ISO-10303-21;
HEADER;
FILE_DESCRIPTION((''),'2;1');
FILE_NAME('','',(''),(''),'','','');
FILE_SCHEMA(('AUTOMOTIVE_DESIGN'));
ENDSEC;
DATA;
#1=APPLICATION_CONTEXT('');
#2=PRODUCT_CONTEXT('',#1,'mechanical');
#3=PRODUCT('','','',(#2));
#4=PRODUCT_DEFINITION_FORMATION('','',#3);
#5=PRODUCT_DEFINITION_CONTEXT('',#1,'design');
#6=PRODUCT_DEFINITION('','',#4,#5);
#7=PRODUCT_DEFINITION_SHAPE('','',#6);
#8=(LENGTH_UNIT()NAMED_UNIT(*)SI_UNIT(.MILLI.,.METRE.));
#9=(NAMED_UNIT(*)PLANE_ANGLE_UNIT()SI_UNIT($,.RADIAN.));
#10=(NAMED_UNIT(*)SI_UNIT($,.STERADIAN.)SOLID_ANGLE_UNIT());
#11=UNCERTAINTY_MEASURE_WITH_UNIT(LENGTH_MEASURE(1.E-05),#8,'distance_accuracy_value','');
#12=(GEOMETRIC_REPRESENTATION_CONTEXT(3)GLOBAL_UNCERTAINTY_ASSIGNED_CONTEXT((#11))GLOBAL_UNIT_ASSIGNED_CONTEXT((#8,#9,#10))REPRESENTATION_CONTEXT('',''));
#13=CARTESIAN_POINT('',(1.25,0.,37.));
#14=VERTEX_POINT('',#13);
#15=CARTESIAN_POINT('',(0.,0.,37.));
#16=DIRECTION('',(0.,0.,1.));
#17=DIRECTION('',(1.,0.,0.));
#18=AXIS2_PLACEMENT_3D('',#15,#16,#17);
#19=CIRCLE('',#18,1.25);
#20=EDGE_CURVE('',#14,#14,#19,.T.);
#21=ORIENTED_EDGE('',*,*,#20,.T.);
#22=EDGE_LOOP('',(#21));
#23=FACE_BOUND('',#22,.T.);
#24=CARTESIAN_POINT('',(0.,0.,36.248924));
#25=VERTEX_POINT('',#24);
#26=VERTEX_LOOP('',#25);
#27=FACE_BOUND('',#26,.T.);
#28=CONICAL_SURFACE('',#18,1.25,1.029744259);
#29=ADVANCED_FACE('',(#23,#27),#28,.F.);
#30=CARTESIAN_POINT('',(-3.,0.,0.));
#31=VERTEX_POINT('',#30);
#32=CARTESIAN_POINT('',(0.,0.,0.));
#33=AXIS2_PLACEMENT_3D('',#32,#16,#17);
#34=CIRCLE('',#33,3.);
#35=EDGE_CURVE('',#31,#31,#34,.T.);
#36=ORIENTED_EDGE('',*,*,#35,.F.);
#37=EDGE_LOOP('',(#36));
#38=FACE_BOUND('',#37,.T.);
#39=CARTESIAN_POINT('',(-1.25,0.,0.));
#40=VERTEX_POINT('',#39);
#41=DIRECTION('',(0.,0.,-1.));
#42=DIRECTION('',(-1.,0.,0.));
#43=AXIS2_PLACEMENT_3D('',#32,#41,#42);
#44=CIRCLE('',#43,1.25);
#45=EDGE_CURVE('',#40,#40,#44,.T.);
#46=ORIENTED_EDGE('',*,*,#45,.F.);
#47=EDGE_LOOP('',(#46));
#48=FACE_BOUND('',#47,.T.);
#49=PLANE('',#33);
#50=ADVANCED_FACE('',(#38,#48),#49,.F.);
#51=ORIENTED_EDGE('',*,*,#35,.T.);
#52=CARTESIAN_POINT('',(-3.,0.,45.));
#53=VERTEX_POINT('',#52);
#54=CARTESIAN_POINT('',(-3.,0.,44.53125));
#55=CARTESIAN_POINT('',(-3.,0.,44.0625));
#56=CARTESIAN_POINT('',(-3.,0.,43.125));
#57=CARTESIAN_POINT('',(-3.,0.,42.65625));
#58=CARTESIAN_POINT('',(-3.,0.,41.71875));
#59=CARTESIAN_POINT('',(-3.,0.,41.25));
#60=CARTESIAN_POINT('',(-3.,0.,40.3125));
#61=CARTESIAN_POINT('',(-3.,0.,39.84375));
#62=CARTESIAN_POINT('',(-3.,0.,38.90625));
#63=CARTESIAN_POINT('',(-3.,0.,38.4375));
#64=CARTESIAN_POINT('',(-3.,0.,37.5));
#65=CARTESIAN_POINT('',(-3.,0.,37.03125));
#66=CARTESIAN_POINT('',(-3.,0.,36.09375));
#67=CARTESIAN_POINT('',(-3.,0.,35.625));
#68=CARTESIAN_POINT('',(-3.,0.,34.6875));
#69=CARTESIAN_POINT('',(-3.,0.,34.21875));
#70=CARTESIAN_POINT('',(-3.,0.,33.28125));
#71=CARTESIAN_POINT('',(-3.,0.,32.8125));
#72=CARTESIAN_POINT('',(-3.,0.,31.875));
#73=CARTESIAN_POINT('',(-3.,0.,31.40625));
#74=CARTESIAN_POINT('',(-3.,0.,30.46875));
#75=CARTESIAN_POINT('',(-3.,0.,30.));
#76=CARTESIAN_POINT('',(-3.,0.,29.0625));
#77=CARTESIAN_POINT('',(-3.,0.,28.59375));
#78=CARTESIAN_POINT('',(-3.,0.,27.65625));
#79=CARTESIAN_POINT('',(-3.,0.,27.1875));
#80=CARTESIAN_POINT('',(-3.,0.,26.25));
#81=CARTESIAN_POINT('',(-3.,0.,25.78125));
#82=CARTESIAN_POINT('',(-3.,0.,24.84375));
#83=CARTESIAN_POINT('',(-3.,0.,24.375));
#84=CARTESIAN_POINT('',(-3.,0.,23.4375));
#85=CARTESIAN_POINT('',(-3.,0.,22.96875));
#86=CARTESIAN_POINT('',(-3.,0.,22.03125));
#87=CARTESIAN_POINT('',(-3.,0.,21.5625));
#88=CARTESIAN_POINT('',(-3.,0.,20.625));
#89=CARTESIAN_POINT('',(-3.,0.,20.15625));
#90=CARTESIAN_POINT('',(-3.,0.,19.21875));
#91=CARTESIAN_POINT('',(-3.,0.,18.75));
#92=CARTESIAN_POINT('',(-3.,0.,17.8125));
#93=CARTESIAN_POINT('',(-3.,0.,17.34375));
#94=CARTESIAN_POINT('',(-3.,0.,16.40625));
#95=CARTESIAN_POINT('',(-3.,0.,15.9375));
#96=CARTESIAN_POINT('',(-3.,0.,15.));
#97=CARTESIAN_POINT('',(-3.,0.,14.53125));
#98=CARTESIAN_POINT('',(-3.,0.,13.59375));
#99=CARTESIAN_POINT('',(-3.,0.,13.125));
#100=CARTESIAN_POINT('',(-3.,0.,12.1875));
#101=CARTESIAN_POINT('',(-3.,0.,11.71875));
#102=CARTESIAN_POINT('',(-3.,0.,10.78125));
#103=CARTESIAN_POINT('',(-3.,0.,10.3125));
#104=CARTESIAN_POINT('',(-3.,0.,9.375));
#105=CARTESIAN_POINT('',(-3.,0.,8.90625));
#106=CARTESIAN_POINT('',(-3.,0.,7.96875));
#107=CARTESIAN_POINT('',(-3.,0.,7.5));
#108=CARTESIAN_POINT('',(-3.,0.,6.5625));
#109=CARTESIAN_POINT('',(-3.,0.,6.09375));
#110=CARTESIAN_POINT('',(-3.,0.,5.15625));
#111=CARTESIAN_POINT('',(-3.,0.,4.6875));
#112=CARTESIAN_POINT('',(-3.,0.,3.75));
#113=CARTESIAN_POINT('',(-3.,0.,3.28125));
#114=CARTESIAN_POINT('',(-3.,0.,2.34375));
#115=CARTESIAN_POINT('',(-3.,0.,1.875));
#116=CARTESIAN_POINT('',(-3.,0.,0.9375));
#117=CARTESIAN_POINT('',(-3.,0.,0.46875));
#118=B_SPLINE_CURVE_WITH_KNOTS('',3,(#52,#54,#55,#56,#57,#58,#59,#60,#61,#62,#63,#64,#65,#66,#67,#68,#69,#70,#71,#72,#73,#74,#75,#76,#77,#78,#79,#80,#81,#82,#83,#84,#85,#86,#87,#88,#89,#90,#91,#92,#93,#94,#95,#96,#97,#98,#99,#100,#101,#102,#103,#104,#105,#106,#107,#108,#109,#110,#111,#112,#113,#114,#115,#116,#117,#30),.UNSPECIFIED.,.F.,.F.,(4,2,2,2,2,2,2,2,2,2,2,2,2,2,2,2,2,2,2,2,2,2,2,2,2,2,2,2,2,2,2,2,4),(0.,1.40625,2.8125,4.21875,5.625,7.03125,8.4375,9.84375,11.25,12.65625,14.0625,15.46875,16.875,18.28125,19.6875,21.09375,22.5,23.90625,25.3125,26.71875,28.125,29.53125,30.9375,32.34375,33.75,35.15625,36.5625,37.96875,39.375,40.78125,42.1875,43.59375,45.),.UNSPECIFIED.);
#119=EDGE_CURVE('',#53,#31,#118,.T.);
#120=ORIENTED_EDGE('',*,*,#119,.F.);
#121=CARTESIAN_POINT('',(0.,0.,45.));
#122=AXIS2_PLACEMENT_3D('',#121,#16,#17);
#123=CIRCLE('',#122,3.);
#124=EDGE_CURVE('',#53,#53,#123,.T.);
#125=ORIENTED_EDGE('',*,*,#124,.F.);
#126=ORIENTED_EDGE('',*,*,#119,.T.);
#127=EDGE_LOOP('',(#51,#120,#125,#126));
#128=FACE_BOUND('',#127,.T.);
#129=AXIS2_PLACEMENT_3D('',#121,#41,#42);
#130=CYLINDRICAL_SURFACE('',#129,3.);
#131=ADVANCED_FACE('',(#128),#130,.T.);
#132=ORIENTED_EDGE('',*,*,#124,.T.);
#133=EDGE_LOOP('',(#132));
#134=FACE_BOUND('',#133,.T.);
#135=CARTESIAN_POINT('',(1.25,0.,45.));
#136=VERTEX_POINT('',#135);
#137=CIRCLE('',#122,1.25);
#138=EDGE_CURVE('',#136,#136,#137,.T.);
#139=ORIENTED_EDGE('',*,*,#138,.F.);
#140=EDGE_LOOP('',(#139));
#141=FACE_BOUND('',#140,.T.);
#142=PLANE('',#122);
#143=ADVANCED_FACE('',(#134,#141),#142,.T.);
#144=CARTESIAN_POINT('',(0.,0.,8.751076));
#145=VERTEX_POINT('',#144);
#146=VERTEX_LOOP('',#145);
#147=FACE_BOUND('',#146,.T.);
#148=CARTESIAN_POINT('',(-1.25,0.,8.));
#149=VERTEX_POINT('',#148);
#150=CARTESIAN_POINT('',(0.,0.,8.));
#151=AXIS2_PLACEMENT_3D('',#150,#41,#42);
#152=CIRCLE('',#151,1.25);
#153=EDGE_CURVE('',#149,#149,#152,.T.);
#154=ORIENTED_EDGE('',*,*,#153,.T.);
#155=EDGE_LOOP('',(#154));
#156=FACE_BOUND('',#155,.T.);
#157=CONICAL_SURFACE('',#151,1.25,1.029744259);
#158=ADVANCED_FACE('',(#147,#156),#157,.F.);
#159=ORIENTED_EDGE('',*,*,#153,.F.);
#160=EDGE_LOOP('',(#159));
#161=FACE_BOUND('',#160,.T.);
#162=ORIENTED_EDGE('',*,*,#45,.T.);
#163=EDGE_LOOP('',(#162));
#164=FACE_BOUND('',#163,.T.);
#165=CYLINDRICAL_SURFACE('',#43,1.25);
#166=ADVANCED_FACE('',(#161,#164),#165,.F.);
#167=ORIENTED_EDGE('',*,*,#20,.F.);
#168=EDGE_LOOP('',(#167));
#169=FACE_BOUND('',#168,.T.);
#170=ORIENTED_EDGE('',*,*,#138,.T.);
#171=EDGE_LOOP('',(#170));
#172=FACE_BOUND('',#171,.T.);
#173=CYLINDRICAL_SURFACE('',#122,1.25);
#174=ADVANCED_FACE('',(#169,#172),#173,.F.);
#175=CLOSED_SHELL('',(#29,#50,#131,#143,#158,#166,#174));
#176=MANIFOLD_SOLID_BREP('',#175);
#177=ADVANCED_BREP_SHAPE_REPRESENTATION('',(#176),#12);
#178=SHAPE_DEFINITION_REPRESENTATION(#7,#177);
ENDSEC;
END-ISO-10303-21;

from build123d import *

# Parameters (mm, degrees)
ESBO_O1_R                                   = 3
RESSALTO_EXTRUS_O1_DEPTH                    = 45
BROCA_DE_ROSQUEAR_PARA_TARRAXA_DE_M31_D     = 2.5
BROCA_DE_ROSQUEAR_PARA_TARRAXA_DE_M31_DEPTH = 8
BROCA_DE_ROSQUEAR_PARA_TARRAXA_DE_M31_TIP   = 0.751075774
BROCA_DE_ROSQUEAR_PARA_TARRAXA_DE_M32_D     = 2.5
BROCA_DE_ROSQUEAR_PARA_TARRAXA_DE_M32_DEPTH = 8
BROCA_DE_ROSQUEAR_PARA_TARRAXA_DE_M32_TIP   = 0.751075774


with BuildPart() as part:
    # Esboço1 → Ressalto-extrusão1 (new body)
    with BuildSketch(Plane.XY):
        with Locations(Location((0, 0, 0), (0, 0, 180))):
            Circle(ESBO_O1_R)
    extrude(amount=RESSALTO_EXTRUS_O1_DEPTH)

    # Broca de rosquear para tarraxa de M31
    with Locations(Plane.XY.offset(45)):
        with Locations((0, 0)):
            Hole(BROCA_DE_ROSQUEAR_PARA_TARRAXA_DE_M31_D / 2, depth=BROCA_DE_ROSQUEAR_PARA_TARRAXA_DE_M31_DEPTH)
            with Locations((0, 0, -(BROCA_DE_ROSQUEAR_PARA_TARRAXA_DE_M31_DEPTH + BROCA_DE_ROSQUEAR_PARA_TARRAXA_DE_M31_TIP / 2))):  # 118° drill point
                Cone(0, BROCA_DE_ROSQUEAR_PARA_TARRAXA_DE_M31_D / 2, BROCA_DE_ROSQUEAR_PARA_TARRAXA_DE_M31_TIP, mode=Mode.SUBTRACT)

    # Broca de rosquear para tarraxa de M32
    with Locations(Plane(origin=(0, 0, 0), x_dir=(-1, 0, 0), z_dir=(0, 0, -1))):
        with Locations((0, 0)):
            Hole(BROCA_DE_ROSQUEAR_PARA_TARRAXA_DE_M32_D / 2, depth=BROCA_DE_ROSQUEAR_PARA_TARRAXA_DE_M32_DEPTH)
            with Locations((0, 0, -(BROCA_DE_ROSQUEAR_PARA_TARRAXA_DE_M32_DEPTH + BROCA_DE_ROSQUEAR_PARA_TARRAXA_DE_M32_TIP / 2))):  # 118° drill point
                Cone(0, BROCA_DE_ROSQUEAR_PARA_TARRAXA_DE_M32_D / 2, BROCA_DE_ROSQUEAR_PARA_TARRAXA_DE_M32_TIP, mode=Mode.SUBTRACT)


solid = part.part
